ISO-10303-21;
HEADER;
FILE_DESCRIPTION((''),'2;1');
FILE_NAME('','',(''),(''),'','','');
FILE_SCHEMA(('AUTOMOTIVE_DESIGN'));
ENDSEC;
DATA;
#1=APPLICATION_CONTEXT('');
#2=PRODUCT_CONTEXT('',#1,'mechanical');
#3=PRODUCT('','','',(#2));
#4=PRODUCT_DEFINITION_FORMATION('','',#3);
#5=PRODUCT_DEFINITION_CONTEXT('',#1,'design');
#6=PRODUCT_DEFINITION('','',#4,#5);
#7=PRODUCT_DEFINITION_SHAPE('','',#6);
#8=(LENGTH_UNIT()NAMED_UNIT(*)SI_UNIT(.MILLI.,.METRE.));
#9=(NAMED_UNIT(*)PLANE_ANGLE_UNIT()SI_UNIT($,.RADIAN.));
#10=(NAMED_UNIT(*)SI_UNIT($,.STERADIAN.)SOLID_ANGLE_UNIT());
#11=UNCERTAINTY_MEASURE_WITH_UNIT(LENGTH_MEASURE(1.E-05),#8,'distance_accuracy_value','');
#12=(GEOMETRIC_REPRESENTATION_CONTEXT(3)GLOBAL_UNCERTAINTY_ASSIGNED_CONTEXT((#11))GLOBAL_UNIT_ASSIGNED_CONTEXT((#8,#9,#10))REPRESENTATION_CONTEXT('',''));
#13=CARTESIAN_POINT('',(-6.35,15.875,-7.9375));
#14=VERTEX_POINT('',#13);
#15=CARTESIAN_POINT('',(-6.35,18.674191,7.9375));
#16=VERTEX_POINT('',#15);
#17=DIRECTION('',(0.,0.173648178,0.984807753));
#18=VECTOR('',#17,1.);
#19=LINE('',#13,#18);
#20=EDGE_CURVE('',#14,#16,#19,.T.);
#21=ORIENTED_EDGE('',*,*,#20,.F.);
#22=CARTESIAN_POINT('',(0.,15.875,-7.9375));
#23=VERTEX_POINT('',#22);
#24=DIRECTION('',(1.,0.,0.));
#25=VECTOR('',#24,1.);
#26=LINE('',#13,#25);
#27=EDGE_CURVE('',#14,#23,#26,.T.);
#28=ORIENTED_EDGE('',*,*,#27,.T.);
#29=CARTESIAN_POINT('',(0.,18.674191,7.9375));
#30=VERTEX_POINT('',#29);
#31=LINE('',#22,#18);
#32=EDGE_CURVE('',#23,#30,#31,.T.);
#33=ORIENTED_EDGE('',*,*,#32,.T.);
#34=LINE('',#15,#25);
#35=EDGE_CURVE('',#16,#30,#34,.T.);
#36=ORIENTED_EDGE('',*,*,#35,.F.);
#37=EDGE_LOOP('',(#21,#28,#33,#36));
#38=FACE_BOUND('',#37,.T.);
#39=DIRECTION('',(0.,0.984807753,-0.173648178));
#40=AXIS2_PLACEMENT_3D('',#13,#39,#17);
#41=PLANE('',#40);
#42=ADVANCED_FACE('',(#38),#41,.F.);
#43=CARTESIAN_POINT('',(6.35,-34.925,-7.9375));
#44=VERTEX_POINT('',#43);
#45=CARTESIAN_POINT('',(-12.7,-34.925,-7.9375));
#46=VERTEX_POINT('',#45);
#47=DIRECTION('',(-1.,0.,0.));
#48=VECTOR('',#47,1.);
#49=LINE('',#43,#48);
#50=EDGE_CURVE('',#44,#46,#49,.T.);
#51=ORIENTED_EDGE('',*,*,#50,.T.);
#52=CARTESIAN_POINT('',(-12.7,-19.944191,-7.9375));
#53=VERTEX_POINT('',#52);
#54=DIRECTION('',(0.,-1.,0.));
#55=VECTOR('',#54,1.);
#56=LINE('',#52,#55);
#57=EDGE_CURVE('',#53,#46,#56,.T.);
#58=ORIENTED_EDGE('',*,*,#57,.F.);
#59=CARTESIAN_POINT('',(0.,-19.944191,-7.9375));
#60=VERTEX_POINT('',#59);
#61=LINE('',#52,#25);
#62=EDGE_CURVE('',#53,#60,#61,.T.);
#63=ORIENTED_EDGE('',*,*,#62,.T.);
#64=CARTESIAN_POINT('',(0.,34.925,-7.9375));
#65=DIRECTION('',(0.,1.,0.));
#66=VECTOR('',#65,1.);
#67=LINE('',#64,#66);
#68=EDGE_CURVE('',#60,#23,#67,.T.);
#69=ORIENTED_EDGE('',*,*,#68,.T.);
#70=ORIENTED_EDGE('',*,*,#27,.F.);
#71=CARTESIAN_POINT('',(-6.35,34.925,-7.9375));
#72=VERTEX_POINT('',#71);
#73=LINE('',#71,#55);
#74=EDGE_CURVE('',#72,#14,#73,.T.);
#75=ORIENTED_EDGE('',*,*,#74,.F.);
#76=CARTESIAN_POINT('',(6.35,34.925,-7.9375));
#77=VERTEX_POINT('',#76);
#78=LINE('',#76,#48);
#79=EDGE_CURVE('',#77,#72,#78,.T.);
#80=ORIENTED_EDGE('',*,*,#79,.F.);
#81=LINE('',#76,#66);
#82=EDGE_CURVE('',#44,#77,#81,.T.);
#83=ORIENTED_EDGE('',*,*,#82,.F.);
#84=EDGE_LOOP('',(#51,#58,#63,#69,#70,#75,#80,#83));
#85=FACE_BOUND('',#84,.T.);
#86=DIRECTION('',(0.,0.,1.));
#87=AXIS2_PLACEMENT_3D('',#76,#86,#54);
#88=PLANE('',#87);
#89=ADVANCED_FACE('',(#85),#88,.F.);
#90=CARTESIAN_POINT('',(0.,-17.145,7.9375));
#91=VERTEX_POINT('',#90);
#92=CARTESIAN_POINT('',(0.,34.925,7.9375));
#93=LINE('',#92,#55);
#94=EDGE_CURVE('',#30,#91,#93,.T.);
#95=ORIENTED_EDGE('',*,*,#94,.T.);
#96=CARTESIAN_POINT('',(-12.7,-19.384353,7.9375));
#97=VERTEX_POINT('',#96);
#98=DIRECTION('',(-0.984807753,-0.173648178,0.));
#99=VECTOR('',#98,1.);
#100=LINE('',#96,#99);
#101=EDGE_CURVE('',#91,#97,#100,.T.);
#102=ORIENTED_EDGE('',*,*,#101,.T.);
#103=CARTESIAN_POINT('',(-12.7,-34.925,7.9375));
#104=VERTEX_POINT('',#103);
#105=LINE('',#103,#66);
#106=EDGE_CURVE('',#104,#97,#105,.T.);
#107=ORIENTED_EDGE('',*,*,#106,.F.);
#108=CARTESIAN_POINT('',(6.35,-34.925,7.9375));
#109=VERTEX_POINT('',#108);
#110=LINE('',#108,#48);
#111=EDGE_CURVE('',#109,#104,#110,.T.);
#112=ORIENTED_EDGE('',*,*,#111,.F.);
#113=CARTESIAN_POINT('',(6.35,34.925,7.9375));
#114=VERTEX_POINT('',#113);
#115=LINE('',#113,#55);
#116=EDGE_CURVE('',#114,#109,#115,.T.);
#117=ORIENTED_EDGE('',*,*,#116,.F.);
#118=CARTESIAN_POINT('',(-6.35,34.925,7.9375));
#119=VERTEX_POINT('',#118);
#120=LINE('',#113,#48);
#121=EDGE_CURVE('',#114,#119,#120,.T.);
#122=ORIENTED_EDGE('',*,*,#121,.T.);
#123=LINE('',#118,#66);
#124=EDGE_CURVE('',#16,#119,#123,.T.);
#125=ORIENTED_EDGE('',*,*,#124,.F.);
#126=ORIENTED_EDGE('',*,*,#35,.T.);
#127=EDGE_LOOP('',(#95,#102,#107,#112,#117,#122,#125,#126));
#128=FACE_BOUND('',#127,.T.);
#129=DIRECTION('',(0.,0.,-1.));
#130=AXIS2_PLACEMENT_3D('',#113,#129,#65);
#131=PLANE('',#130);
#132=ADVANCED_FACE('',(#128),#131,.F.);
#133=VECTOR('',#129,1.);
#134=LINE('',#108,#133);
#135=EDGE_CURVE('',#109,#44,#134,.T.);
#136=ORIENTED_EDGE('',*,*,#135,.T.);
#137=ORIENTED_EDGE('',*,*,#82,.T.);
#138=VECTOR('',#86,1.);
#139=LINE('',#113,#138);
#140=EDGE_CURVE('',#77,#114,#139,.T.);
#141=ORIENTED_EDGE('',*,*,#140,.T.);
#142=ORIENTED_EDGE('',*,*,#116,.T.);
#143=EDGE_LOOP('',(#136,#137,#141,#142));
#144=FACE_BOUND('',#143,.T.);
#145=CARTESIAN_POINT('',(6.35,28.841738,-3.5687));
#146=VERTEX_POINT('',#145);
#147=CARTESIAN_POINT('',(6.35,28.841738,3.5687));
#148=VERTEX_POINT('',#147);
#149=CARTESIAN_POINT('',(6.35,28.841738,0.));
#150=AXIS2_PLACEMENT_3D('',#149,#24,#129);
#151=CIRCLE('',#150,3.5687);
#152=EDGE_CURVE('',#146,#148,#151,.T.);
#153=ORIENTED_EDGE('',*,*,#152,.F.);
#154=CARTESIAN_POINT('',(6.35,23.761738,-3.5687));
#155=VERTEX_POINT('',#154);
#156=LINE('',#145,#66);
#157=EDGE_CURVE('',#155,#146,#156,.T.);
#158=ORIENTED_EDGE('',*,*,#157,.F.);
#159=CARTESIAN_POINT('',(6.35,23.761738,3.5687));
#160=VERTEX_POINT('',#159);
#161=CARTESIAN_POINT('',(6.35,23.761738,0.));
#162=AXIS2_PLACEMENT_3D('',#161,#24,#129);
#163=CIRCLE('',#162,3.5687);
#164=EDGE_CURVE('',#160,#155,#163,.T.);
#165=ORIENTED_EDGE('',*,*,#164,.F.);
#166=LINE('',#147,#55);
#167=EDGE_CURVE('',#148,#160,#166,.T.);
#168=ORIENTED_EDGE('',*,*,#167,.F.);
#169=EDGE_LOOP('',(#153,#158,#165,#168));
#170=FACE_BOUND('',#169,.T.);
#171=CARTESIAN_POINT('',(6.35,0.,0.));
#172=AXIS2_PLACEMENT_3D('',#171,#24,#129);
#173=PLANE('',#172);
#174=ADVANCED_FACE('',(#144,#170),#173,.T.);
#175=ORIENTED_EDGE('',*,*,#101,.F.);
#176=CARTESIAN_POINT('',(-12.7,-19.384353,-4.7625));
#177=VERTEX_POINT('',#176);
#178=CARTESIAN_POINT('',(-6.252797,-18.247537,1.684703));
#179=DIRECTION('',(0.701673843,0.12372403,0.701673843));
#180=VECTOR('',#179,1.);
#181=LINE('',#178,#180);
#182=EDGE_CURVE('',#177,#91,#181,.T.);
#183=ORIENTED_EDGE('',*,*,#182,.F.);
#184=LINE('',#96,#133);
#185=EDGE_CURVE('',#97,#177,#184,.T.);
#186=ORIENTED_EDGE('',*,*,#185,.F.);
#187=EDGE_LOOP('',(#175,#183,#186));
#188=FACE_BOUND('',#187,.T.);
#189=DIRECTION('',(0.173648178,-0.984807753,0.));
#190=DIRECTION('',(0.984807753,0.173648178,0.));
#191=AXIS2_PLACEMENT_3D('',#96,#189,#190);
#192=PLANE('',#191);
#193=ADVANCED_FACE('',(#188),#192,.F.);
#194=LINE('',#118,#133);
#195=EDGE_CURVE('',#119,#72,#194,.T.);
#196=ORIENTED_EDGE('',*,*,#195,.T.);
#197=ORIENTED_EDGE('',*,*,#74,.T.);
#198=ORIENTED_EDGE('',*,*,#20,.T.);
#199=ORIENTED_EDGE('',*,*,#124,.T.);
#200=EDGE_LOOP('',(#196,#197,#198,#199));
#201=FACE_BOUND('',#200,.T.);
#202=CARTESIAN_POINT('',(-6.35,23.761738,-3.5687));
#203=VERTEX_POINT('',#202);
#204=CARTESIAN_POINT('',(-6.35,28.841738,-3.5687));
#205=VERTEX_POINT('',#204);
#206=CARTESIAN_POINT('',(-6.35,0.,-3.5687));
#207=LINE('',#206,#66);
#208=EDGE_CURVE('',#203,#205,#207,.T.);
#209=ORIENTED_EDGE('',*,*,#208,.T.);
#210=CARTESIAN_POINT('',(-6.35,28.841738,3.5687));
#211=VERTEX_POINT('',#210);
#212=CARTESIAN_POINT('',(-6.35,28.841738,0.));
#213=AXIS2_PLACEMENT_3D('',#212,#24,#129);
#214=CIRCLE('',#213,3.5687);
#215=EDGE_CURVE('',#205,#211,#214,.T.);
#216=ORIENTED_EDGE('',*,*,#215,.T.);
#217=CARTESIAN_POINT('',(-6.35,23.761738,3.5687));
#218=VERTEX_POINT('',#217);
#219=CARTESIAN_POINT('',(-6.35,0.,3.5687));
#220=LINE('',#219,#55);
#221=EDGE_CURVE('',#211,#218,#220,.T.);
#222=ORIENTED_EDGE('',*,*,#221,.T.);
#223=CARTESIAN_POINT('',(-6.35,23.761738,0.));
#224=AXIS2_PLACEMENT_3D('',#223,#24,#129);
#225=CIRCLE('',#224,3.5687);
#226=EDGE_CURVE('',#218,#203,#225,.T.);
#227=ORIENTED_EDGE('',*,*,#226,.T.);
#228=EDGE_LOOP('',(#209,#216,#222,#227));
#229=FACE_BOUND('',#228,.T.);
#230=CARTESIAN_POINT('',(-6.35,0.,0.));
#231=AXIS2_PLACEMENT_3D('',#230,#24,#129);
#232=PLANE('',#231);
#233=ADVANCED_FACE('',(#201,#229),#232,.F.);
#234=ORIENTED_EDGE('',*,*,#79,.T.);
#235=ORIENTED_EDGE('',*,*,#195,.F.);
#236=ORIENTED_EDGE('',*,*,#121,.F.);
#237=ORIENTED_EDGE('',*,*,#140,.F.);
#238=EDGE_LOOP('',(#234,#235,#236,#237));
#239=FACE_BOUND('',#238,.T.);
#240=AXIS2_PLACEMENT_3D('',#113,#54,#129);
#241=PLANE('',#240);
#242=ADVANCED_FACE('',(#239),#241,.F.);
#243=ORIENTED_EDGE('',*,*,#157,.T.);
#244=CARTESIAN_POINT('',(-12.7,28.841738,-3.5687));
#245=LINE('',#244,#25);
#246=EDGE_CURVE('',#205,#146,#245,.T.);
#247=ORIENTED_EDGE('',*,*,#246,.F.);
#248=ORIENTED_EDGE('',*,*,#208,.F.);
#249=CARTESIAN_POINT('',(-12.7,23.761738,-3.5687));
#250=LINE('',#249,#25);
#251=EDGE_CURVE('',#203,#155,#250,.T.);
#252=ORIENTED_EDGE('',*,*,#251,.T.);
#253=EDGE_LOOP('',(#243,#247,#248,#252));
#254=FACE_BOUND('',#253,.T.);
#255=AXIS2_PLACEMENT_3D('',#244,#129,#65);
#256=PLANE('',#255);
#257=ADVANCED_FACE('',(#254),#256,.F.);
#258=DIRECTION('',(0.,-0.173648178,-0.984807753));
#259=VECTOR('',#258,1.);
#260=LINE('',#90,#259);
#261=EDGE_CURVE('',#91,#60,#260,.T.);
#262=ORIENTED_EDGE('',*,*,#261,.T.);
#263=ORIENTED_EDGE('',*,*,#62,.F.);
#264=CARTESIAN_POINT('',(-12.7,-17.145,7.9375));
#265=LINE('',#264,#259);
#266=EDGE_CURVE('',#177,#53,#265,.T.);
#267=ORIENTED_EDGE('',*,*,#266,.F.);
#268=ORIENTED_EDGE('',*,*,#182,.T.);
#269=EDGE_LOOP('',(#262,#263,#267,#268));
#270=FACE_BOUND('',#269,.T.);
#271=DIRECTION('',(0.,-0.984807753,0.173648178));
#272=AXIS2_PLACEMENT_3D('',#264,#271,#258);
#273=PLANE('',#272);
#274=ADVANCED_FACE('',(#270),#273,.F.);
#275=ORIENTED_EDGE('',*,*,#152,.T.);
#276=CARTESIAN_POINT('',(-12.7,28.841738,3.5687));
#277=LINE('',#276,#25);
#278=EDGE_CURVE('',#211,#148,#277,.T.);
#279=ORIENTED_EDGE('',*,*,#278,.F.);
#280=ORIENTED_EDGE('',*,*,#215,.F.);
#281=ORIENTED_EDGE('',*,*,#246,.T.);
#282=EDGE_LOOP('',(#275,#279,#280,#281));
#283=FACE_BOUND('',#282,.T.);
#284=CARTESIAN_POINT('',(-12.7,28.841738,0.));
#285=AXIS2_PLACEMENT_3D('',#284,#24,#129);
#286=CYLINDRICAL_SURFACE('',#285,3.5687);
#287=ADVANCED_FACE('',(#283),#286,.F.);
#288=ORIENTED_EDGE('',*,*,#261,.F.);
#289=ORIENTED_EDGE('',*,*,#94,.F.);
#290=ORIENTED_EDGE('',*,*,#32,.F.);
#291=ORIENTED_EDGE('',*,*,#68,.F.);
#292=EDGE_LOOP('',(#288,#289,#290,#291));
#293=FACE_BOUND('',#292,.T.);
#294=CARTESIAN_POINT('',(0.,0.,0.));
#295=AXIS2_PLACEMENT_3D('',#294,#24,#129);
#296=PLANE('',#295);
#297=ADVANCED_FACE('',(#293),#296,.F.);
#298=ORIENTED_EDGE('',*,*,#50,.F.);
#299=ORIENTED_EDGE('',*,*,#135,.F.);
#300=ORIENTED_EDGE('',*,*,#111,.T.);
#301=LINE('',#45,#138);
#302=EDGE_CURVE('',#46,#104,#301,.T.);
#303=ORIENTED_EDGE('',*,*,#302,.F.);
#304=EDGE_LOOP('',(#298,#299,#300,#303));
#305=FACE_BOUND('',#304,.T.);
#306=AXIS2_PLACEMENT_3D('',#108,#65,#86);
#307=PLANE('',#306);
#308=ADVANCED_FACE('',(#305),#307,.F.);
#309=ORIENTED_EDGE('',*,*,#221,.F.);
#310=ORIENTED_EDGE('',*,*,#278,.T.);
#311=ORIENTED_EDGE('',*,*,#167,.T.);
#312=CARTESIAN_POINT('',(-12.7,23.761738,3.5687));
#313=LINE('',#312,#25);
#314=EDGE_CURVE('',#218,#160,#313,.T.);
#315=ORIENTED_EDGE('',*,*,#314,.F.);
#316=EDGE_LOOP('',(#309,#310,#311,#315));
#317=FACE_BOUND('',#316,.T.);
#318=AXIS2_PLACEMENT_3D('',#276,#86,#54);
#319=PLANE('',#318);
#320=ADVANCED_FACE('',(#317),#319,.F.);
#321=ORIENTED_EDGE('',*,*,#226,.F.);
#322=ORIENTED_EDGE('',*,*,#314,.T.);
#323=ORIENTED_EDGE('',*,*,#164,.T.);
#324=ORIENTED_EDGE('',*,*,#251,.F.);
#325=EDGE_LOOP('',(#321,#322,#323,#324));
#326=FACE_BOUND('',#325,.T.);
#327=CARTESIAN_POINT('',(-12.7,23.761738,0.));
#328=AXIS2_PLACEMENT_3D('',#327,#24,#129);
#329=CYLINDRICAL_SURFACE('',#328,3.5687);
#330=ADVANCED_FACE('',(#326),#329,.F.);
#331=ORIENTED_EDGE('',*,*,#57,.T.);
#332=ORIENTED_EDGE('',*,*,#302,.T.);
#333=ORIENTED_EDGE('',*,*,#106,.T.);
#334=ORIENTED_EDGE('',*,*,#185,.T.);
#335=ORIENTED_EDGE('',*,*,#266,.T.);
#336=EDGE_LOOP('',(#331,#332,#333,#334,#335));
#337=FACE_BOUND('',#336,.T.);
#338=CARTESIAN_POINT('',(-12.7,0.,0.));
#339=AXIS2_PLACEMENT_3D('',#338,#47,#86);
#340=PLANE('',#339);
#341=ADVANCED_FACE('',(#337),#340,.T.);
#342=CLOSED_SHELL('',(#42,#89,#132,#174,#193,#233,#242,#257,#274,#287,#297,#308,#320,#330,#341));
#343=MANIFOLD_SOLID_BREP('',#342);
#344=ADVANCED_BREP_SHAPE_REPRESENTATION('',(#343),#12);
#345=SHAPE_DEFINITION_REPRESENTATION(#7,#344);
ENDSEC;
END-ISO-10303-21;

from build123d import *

# Parameters (mm, degrees)
SKETCH1_W           = 15.875
SKETCH1_H           = 69.85
BOSS_EXTRUDE1_DEPTH = 6.35
BOSS_EXTRUDE2_DEPTH = 6.35
BOSS_EXTRUDE3_DEPTH = 12.7
CUT_EXTRUDE1_DEPTH  = 41.411152545
CUT_EXTRUDE2_DEPTH  = 41.566760177


with BuildPart() as part:
    # Sketch1 → Boss-Extrude1 (new body)
    with BuildSketch(Plane(origin=(0, 0, 0), x_dir=(0, 0, -1), z_dir=(1, 0, 0))):
        Rectangle(SKETCH1_W, SKETCH1_H)
    extrude(amount=BOSS_EXTRUDE1_DEPTH)

    # Sketch2 → Boss-Extrude2 (add)
    with BuildSketch(Plane.ZY):
        Polygon((7.9375, 34.925), (-7.9375, 34.925), (-7.9375, 15.875), (7.9375, 18.674190819), align=None)
    extrude(amount=BOSS_EXTRUDE2_DEPTH)

    # Sketch3 → Boss-Extrude3 (add)
    with BuildSketch(Plane.ZY):
        Polygon((-7.9375, -19.944190819), (-7.9375, -34.925), (7.9375, -34.925), (7.9375, -17.145), align=None)
    extrude(amount=BOSS_EXTRUDE3_DEPTH)

    # Sketch6 → Cut-Extrude1 (cut, through all)
    with BuildSketch(Plane(origin=(0, 0, -7.9375), x_dir=(-1, 0, 0), z_dir=(0, 0, -1))):
        Polygon((0, -17.145), (12.7, -17.145), (12.7, -19.384352655), align=None)
    extrude(amount=-CUT_EXTRUDE1_DEPTH, mode=Mode.SUBTRACT)

    # Sketch7 → Cut-Extrude2 (cut, through all)
    with BuildSketch(Plane(origin=(6.35, 0, 0), x_dir=(0, 0, -1), z_dir=(1, 0, 0))):
        with BuildLine():
            Line((3.5687, 28.841737989), (3.5687, 23.761737989))
            ThreePointArc((3.5687, 23.761737989), (0, 20.193037989), (-3.5687, 23.761737989))
            Line((-3.5687, 23.761737989), (-3.5687, 28.841737989))
            ThreePointArc((-3.5687, 28.841737989), (0, 32.410437989), (3.5687, 28.841737989))
        make_face()
    extrude(amount=-CUT_EXTRUDE2_DEPTH, mode=Mode.SUBTRACT)


solid = part.part
